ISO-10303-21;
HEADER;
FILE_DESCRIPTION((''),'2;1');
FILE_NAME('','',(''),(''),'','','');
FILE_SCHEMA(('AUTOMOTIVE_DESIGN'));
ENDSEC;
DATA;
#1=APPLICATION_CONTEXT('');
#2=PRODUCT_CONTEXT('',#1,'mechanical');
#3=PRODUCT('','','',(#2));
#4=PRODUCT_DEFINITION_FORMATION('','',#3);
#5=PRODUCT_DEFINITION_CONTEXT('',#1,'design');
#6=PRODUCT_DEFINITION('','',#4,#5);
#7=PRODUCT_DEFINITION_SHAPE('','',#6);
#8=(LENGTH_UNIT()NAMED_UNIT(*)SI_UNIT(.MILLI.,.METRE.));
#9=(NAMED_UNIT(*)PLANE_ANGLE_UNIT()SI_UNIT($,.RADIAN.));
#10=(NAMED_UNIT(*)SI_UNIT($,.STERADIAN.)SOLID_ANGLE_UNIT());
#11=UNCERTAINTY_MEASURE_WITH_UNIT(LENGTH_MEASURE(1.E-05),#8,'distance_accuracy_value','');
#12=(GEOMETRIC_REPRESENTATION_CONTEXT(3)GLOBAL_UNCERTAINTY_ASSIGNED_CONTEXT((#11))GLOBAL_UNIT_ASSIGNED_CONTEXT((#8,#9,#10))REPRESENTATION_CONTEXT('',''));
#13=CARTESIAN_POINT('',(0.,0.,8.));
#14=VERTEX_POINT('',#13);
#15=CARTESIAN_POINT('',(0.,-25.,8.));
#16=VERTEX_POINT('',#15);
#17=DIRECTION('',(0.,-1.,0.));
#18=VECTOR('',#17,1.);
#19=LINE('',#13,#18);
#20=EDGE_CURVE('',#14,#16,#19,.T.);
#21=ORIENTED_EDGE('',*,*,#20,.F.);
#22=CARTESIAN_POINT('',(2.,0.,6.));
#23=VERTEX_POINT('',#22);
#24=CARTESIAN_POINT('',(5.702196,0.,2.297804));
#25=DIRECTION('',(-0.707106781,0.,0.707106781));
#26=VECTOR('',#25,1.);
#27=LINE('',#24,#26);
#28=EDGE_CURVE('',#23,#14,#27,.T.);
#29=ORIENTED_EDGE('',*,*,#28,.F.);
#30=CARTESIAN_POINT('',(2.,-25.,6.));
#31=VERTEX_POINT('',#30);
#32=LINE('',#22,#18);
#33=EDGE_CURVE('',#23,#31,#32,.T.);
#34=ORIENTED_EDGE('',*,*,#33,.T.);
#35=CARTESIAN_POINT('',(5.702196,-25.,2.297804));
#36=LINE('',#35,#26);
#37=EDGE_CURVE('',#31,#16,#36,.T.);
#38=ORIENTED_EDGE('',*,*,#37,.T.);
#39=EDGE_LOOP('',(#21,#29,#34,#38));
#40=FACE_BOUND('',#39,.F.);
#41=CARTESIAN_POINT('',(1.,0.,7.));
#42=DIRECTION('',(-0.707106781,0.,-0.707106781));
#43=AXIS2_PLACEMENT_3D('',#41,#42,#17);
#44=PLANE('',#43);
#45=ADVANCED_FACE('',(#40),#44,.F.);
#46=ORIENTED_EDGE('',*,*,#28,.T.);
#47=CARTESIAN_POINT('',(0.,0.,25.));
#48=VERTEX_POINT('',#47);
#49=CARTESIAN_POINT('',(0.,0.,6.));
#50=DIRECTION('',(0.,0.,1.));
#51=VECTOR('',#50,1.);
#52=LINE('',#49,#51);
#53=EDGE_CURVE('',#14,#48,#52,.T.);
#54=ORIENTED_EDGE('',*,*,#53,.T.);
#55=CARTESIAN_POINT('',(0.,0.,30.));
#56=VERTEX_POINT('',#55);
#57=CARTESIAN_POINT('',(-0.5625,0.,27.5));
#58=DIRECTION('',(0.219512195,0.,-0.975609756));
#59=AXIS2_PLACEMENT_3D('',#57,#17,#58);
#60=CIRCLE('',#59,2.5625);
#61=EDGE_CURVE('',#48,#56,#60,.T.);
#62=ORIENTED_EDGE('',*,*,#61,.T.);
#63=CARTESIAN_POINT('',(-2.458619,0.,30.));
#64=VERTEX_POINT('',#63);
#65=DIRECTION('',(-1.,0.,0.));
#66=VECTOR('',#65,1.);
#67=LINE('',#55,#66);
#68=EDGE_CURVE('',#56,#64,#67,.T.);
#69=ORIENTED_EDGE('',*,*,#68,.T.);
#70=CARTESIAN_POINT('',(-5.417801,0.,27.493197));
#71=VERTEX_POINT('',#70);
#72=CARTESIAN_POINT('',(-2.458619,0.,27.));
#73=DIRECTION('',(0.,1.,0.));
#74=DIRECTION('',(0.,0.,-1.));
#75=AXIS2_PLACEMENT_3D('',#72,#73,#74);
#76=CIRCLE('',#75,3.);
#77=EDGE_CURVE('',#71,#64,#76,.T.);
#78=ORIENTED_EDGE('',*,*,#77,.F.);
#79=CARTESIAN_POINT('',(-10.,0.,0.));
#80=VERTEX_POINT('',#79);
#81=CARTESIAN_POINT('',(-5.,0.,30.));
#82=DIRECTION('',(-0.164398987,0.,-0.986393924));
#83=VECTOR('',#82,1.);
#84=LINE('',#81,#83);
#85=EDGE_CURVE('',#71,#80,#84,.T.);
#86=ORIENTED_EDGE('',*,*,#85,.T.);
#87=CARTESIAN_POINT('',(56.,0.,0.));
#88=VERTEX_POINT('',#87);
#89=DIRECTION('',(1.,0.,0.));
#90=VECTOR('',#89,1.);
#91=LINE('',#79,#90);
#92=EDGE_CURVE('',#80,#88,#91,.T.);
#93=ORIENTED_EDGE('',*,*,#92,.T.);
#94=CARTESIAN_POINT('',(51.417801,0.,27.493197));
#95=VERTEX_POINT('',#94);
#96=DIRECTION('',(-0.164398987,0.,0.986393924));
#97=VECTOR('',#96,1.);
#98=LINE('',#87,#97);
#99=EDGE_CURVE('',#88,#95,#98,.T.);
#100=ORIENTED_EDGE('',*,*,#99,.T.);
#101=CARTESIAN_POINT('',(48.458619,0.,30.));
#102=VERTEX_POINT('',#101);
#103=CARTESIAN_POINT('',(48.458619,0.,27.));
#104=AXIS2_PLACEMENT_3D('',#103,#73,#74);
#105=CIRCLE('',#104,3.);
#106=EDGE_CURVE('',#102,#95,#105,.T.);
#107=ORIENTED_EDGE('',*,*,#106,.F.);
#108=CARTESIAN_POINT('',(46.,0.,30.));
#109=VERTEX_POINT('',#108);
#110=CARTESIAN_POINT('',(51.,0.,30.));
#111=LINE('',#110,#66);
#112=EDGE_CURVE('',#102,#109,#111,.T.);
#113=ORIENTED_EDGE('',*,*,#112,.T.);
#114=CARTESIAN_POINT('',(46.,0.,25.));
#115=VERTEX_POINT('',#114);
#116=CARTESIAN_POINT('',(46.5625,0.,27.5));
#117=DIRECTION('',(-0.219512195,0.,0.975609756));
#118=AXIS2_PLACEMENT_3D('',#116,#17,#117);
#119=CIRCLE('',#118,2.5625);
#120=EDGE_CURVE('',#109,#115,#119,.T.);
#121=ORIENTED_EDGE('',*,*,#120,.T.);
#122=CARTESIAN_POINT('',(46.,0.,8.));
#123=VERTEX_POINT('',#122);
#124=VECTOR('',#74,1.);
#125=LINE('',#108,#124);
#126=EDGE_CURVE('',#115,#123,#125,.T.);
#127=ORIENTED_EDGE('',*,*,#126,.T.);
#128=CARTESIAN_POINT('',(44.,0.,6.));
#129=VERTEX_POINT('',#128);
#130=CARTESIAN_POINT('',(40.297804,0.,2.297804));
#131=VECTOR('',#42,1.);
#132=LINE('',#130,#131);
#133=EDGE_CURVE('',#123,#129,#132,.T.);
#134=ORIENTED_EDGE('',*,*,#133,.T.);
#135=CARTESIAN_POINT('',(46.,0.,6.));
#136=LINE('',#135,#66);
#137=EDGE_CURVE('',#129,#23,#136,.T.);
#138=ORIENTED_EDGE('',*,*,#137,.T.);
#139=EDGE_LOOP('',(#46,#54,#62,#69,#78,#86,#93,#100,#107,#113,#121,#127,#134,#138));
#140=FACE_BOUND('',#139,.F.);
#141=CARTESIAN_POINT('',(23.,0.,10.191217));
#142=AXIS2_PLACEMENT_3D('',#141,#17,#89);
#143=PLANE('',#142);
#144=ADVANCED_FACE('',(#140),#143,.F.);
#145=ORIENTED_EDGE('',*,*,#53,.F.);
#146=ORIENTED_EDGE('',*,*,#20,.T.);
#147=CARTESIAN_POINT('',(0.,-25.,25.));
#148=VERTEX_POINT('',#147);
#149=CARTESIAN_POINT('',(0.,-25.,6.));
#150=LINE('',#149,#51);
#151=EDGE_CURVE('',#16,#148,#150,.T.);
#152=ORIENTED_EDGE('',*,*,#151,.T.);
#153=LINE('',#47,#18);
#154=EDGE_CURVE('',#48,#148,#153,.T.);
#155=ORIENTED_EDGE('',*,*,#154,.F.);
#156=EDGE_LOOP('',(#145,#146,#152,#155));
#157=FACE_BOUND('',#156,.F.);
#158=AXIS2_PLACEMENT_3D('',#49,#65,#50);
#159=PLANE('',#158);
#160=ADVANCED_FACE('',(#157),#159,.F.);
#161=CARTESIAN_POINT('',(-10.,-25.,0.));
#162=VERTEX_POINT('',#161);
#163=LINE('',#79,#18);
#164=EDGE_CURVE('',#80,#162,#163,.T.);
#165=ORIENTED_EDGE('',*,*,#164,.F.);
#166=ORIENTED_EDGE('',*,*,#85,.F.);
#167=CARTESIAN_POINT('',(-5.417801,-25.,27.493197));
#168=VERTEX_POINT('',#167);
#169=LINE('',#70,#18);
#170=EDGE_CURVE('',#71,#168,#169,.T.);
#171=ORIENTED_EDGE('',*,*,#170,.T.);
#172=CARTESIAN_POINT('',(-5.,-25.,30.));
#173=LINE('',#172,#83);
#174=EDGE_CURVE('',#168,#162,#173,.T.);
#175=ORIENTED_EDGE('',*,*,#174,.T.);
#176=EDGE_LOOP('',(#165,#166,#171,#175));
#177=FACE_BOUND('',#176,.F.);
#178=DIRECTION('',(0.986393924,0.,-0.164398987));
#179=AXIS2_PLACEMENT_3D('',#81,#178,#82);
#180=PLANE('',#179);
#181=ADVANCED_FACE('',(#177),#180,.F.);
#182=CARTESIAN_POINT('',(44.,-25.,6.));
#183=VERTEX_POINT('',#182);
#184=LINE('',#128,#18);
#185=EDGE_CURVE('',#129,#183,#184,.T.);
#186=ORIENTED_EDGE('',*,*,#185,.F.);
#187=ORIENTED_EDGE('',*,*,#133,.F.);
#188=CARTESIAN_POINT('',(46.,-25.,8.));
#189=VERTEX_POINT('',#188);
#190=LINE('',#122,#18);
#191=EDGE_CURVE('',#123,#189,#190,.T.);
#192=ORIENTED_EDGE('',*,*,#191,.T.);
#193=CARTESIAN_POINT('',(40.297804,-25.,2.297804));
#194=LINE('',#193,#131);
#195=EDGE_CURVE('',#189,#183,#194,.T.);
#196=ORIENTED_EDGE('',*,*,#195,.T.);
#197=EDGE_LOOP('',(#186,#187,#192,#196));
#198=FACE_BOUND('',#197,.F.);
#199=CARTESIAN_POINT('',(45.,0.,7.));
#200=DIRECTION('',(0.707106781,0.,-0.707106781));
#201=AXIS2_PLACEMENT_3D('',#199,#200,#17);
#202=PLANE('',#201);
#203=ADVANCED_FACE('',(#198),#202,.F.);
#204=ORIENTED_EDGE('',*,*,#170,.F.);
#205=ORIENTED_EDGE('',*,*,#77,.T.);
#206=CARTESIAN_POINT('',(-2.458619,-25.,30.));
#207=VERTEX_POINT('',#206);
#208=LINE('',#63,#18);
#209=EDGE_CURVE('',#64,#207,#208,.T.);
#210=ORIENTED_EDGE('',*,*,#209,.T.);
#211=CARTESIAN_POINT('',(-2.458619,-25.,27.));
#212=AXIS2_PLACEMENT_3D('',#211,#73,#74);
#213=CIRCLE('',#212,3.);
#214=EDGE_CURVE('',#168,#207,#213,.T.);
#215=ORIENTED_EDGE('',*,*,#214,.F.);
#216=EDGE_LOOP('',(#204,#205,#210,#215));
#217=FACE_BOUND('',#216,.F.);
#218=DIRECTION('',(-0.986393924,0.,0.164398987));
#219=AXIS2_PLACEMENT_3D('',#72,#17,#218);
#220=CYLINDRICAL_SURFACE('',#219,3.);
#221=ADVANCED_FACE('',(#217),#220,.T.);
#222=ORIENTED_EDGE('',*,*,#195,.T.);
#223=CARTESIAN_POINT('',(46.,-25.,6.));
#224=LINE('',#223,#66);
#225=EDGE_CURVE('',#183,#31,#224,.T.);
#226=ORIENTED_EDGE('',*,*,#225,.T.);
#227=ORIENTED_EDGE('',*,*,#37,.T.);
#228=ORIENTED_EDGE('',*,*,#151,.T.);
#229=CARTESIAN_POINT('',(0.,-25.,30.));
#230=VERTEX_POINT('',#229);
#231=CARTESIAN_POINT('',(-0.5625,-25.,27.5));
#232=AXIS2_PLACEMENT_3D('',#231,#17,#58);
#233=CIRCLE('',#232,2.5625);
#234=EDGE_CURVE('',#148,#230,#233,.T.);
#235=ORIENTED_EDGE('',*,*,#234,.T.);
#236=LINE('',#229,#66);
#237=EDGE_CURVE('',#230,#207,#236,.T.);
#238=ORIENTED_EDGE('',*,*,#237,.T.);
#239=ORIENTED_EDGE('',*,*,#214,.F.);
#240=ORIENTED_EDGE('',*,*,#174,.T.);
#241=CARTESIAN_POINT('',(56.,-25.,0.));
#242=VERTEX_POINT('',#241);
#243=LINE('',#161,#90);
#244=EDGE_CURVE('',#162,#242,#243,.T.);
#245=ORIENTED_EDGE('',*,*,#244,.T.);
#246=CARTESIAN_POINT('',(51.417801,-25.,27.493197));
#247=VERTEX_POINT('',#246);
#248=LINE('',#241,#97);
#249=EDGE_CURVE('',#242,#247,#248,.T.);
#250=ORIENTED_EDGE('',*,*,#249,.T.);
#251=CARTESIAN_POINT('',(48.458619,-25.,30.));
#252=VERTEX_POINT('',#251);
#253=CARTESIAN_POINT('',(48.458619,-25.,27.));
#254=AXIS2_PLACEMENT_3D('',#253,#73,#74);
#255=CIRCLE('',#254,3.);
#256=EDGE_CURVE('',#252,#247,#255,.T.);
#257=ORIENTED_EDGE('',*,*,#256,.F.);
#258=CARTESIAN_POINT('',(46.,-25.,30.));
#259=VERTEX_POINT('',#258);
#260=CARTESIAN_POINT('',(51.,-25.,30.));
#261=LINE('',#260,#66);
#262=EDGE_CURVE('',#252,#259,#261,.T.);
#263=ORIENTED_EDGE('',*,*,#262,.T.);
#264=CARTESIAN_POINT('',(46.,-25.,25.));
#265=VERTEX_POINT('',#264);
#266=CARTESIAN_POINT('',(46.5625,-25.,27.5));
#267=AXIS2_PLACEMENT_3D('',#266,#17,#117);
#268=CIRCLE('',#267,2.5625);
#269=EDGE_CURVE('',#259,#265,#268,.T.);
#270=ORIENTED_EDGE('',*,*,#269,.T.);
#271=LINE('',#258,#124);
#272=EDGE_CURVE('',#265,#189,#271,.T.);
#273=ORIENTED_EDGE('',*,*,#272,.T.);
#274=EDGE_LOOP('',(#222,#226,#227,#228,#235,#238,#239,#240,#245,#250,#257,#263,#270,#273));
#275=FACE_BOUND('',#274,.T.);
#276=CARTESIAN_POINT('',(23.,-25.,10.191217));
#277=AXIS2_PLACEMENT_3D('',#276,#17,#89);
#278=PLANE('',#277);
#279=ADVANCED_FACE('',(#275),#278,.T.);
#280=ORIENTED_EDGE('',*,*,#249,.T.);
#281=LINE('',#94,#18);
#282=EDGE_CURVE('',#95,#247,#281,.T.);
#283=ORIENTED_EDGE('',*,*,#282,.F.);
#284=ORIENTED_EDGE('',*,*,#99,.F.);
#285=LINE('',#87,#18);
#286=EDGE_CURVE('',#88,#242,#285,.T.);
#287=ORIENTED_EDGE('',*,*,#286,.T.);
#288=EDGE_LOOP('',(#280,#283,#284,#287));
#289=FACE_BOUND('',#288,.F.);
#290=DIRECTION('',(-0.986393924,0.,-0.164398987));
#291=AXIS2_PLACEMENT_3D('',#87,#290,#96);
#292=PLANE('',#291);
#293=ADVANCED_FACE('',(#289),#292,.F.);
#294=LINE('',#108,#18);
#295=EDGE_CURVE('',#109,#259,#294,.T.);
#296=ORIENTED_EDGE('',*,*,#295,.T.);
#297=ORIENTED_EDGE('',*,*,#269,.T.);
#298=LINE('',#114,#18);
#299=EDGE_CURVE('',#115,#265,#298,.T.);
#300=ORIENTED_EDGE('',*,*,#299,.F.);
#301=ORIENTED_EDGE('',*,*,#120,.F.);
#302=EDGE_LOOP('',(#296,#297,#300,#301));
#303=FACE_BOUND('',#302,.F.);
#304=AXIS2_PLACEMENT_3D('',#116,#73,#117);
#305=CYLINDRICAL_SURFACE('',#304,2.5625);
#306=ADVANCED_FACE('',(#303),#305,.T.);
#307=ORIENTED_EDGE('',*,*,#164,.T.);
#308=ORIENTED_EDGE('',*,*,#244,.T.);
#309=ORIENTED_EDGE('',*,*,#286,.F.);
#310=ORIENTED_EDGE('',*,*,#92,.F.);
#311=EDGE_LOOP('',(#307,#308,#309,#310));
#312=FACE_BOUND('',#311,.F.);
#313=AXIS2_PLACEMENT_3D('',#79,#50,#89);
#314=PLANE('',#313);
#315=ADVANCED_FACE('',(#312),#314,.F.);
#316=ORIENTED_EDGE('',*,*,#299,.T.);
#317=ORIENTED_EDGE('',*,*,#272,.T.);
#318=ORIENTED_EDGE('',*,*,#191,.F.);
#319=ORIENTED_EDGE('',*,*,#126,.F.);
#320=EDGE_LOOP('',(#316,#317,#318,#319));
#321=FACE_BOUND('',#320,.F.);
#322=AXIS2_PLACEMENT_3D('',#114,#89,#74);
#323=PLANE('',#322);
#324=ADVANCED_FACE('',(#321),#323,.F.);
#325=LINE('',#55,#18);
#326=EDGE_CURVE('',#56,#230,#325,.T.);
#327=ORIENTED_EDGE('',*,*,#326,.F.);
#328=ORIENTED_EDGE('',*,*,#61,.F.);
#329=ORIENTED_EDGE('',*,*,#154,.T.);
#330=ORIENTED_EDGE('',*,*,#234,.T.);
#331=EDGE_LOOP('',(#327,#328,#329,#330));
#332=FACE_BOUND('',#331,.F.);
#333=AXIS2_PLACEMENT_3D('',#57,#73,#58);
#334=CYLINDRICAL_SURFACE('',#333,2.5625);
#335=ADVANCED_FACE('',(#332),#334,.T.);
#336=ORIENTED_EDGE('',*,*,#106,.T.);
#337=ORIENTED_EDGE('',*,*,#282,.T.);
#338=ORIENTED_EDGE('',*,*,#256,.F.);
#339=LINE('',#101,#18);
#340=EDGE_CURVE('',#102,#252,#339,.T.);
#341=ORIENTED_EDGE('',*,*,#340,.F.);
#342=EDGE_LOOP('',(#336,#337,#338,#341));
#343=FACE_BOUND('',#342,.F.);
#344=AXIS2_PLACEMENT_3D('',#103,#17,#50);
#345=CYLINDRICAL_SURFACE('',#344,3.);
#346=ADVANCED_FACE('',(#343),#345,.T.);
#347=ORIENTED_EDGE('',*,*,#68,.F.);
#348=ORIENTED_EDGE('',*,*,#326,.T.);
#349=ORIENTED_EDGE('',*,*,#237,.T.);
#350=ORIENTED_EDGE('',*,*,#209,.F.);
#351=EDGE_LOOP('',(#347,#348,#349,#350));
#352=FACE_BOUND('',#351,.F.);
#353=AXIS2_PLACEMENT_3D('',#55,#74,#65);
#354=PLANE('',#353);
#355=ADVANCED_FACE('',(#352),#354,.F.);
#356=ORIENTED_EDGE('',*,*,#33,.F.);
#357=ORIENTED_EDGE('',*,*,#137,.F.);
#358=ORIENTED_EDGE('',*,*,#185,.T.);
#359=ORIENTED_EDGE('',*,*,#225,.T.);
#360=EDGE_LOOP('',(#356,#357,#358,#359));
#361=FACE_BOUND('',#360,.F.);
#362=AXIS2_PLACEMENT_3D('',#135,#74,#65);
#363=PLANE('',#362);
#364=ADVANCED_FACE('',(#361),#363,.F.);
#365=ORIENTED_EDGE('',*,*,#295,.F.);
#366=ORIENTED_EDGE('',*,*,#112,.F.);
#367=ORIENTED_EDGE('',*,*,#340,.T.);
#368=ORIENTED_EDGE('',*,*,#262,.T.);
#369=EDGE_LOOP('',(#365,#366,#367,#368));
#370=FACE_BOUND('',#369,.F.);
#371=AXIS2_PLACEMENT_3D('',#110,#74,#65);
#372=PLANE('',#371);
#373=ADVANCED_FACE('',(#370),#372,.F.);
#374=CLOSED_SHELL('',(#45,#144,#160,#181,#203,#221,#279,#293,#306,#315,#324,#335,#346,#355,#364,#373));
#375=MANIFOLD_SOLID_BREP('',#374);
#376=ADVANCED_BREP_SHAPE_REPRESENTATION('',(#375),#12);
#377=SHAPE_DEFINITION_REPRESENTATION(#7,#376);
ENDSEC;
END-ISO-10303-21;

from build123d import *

# Parameters (mm, degrees)
F1_DEPTH = 25
F2_SIZE  = 2
F3_R     = 3


with BuildPart() as f1:
    # F0 (on Front) → F1 (new body)
    with BuildSketch(Plane.XZ):
        Polygon((-5, 30), (-10, 0), (56, 0), (51, 30), (46, 30), (46, 25), (46, 6), (0, 6), (0, 25), (0, 30), align=None)
        with BuildLine():
            ThreePointArc((0, 25), (2, 27.5), (0, 30))
            Line((0, 30), (0, 25))
        make_face()
        with BuildLine():
            Line((46, 25), (46, 30))
            ThreePointArc((46, 30), (44, 27.5), (46, 25))
        make_face()
    extrude(amount=F1_DEPTH)

    # F2
    f2_edges = [f1.edges().sort_by_distance(p)[0] for p in [
        (46, -12.5, 6),
        (0, -12.5, 6),
    ]]
    chamfer(f2_edges, length=F2_SIZE)

    # F3
    f3_edges = [f1.edges().sort_by_distance(p)[0] for p in [
        (51, -12.5, 30),
        (-5, -12.5, 30),
    ]]
    fillet(f3_edges, radius=F3_R)


solid = f1.part
